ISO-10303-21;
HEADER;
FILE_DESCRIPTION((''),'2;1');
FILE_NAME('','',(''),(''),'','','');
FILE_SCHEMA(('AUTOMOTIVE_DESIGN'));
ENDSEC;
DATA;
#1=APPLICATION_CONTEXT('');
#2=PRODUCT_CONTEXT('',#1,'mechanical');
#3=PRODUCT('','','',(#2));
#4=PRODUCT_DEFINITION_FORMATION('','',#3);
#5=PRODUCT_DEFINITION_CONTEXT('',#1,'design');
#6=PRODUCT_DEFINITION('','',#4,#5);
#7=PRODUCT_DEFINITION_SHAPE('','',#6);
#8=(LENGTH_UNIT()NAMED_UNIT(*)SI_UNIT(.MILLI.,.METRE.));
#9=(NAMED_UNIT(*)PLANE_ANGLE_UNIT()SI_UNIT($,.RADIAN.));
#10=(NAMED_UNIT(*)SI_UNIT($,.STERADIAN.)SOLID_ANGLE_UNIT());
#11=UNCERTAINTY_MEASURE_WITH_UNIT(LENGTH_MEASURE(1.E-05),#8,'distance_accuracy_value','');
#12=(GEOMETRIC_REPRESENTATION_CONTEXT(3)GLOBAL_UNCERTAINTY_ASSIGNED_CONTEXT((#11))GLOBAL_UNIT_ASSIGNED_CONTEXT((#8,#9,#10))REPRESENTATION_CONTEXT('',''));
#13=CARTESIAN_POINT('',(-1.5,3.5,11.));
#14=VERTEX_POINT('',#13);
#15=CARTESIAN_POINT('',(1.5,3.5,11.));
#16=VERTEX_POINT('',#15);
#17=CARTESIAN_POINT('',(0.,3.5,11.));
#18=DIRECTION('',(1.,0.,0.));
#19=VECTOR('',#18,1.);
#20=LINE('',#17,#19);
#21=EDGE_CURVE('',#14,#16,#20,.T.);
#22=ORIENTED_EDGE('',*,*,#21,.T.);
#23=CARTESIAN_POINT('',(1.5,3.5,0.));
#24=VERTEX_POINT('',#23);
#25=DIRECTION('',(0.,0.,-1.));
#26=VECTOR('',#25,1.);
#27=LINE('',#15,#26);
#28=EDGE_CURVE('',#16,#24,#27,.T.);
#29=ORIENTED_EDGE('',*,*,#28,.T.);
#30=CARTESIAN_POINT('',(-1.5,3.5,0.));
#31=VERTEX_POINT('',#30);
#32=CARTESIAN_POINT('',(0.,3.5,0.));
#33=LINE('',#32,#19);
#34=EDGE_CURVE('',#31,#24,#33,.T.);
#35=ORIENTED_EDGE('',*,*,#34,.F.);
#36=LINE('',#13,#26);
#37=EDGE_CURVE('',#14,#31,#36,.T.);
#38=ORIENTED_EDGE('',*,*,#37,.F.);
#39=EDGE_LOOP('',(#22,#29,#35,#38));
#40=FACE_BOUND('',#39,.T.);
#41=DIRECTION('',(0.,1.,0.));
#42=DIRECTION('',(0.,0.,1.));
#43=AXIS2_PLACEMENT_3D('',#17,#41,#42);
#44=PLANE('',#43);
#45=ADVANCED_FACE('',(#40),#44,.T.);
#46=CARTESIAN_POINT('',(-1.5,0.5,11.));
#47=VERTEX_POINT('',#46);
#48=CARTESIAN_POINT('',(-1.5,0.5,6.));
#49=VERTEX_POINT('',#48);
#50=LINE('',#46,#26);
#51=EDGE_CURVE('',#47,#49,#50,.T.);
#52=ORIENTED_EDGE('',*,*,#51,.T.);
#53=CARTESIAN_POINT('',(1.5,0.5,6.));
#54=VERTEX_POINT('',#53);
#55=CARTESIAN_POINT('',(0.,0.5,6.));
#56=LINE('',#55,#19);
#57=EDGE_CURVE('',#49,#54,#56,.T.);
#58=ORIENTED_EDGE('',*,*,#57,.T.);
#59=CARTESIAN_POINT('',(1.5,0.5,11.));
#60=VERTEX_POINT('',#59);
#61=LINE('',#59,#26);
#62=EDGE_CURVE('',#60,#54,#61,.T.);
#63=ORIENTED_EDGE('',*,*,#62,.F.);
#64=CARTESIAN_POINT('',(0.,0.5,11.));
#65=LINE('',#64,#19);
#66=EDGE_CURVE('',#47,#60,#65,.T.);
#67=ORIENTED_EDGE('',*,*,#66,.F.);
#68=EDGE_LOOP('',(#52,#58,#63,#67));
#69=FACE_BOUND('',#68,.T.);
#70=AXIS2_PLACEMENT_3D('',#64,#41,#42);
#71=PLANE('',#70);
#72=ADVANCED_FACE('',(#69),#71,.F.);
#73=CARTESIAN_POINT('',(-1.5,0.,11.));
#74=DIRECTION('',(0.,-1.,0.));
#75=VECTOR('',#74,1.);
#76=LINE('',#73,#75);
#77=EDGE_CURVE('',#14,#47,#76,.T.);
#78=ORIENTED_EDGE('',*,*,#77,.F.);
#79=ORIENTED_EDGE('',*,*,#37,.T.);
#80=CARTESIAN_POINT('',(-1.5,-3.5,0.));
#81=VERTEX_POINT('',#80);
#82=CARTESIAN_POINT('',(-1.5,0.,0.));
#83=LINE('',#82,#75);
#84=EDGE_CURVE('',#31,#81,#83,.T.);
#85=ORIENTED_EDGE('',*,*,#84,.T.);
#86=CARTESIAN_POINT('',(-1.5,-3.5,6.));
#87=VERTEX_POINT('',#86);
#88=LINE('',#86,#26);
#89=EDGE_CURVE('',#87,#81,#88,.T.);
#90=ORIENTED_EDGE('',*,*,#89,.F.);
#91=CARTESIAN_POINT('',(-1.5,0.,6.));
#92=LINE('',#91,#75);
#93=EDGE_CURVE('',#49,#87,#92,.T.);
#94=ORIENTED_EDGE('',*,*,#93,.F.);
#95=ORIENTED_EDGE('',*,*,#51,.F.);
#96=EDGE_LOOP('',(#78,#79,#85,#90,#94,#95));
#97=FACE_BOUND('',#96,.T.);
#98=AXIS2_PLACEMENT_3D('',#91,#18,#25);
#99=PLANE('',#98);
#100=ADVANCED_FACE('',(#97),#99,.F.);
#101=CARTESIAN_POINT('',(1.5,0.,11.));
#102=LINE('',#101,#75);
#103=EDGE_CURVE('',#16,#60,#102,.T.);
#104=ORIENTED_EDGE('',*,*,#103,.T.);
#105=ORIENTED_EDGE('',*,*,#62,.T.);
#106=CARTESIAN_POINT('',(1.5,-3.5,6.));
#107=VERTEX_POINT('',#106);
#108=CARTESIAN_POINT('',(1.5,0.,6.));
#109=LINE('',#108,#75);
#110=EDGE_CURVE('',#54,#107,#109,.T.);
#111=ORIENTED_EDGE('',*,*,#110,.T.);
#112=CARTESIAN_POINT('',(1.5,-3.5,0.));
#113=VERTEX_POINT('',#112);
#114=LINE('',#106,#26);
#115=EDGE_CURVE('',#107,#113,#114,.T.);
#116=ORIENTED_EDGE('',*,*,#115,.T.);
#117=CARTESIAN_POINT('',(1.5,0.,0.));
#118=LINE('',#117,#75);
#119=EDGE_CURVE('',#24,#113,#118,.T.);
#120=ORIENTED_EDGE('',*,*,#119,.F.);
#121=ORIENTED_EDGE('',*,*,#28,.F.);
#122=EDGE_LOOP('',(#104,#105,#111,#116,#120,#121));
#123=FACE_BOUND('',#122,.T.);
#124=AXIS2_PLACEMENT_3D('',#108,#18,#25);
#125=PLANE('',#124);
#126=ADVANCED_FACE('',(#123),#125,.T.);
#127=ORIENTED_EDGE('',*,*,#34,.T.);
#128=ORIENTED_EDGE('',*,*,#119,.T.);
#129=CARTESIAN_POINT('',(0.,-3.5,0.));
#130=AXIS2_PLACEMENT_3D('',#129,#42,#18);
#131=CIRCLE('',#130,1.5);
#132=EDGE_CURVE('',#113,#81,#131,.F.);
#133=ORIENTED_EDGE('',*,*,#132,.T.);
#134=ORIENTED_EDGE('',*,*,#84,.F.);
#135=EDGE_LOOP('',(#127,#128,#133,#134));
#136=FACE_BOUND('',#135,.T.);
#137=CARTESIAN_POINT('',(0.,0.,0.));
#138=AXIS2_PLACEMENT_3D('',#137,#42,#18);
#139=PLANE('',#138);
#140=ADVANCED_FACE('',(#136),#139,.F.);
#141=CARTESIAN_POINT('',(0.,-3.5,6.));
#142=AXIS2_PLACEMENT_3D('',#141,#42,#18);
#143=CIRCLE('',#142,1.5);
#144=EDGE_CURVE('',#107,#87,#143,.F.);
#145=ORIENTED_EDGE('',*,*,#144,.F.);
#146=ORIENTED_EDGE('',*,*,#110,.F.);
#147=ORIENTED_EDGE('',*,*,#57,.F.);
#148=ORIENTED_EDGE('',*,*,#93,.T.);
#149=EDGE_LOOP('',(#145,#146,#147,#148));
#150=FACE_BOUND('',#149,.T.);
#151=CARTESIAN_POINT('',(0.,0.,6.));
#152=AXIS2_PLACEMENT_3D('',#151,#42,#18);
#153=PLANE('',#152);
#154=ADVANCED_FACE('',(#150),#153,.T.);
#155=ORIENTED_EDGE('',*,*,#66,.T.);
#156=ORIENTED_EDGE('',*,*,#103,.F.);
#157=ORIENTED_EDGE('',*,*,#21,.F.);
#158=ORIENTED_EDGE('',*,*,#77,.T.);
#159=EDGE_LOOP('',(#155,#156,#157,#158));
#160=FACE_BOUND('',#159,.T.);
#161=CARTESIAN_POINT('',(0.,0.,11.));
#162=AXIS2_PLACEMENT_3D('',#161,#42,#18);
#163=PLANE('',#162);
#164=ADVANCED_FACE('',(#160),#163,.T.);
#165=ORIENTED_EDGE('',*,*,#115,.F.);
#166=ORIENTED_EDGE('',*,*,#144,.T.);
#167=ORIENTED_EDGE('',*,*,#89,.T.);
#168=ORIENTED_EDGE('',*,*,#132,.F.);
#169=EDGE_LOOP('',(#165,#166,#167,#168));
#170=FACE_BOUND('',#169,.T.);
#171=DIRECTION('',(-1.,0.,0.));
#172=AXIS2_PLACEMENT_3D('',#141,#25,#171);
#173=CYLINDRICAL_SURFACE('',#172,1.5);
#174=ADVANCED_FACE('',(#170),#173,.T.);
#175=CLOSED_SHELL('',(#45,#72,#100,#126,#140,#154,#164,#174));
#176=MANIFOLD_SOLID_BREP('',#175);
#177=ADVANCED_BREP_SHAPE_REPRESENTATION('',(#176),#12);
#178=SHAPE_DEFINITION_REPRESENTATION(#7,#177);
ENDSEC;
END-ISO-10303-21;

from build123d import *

# Parameters (mm, degrees)
BOSS_EXTRUDE1_DEPTH = 6
SKETCH1_3_W         = 3
SKETCH1_3_H         = 3
BOSS_EXTRUDE2_DEPTH = 11


with BuildPart() as part:
    # Sketch1 → Boss-Extrude1 (new body)
    with BuildSketch(Plane.XY):
        with BuildLine():
            Line((1.5, 0.5), (-1.5, 0.5))
            Line((-1.5, 0.5), (-1.5, -3.5))
            ThreePointArc((-1.5, -3.5), (0, -5), (1.5, -3.5))
            Line((1.5, -3.5), (1.5, 0.5))
        make_face()
    extrude(amount=BOSS_EXTRUDE1_DEPTH)

    # Sketch1<3> → Boss-Extrude2 (add)
    with BuildSketch(Plane.XY):
        with Locations((0, 2)):
            Rectangle(SKETCH1_3_W, SKETCH1_3_H)
    extrude(amount=BOSS_EXTRUDE2_DEPTH)


solid = part.part
